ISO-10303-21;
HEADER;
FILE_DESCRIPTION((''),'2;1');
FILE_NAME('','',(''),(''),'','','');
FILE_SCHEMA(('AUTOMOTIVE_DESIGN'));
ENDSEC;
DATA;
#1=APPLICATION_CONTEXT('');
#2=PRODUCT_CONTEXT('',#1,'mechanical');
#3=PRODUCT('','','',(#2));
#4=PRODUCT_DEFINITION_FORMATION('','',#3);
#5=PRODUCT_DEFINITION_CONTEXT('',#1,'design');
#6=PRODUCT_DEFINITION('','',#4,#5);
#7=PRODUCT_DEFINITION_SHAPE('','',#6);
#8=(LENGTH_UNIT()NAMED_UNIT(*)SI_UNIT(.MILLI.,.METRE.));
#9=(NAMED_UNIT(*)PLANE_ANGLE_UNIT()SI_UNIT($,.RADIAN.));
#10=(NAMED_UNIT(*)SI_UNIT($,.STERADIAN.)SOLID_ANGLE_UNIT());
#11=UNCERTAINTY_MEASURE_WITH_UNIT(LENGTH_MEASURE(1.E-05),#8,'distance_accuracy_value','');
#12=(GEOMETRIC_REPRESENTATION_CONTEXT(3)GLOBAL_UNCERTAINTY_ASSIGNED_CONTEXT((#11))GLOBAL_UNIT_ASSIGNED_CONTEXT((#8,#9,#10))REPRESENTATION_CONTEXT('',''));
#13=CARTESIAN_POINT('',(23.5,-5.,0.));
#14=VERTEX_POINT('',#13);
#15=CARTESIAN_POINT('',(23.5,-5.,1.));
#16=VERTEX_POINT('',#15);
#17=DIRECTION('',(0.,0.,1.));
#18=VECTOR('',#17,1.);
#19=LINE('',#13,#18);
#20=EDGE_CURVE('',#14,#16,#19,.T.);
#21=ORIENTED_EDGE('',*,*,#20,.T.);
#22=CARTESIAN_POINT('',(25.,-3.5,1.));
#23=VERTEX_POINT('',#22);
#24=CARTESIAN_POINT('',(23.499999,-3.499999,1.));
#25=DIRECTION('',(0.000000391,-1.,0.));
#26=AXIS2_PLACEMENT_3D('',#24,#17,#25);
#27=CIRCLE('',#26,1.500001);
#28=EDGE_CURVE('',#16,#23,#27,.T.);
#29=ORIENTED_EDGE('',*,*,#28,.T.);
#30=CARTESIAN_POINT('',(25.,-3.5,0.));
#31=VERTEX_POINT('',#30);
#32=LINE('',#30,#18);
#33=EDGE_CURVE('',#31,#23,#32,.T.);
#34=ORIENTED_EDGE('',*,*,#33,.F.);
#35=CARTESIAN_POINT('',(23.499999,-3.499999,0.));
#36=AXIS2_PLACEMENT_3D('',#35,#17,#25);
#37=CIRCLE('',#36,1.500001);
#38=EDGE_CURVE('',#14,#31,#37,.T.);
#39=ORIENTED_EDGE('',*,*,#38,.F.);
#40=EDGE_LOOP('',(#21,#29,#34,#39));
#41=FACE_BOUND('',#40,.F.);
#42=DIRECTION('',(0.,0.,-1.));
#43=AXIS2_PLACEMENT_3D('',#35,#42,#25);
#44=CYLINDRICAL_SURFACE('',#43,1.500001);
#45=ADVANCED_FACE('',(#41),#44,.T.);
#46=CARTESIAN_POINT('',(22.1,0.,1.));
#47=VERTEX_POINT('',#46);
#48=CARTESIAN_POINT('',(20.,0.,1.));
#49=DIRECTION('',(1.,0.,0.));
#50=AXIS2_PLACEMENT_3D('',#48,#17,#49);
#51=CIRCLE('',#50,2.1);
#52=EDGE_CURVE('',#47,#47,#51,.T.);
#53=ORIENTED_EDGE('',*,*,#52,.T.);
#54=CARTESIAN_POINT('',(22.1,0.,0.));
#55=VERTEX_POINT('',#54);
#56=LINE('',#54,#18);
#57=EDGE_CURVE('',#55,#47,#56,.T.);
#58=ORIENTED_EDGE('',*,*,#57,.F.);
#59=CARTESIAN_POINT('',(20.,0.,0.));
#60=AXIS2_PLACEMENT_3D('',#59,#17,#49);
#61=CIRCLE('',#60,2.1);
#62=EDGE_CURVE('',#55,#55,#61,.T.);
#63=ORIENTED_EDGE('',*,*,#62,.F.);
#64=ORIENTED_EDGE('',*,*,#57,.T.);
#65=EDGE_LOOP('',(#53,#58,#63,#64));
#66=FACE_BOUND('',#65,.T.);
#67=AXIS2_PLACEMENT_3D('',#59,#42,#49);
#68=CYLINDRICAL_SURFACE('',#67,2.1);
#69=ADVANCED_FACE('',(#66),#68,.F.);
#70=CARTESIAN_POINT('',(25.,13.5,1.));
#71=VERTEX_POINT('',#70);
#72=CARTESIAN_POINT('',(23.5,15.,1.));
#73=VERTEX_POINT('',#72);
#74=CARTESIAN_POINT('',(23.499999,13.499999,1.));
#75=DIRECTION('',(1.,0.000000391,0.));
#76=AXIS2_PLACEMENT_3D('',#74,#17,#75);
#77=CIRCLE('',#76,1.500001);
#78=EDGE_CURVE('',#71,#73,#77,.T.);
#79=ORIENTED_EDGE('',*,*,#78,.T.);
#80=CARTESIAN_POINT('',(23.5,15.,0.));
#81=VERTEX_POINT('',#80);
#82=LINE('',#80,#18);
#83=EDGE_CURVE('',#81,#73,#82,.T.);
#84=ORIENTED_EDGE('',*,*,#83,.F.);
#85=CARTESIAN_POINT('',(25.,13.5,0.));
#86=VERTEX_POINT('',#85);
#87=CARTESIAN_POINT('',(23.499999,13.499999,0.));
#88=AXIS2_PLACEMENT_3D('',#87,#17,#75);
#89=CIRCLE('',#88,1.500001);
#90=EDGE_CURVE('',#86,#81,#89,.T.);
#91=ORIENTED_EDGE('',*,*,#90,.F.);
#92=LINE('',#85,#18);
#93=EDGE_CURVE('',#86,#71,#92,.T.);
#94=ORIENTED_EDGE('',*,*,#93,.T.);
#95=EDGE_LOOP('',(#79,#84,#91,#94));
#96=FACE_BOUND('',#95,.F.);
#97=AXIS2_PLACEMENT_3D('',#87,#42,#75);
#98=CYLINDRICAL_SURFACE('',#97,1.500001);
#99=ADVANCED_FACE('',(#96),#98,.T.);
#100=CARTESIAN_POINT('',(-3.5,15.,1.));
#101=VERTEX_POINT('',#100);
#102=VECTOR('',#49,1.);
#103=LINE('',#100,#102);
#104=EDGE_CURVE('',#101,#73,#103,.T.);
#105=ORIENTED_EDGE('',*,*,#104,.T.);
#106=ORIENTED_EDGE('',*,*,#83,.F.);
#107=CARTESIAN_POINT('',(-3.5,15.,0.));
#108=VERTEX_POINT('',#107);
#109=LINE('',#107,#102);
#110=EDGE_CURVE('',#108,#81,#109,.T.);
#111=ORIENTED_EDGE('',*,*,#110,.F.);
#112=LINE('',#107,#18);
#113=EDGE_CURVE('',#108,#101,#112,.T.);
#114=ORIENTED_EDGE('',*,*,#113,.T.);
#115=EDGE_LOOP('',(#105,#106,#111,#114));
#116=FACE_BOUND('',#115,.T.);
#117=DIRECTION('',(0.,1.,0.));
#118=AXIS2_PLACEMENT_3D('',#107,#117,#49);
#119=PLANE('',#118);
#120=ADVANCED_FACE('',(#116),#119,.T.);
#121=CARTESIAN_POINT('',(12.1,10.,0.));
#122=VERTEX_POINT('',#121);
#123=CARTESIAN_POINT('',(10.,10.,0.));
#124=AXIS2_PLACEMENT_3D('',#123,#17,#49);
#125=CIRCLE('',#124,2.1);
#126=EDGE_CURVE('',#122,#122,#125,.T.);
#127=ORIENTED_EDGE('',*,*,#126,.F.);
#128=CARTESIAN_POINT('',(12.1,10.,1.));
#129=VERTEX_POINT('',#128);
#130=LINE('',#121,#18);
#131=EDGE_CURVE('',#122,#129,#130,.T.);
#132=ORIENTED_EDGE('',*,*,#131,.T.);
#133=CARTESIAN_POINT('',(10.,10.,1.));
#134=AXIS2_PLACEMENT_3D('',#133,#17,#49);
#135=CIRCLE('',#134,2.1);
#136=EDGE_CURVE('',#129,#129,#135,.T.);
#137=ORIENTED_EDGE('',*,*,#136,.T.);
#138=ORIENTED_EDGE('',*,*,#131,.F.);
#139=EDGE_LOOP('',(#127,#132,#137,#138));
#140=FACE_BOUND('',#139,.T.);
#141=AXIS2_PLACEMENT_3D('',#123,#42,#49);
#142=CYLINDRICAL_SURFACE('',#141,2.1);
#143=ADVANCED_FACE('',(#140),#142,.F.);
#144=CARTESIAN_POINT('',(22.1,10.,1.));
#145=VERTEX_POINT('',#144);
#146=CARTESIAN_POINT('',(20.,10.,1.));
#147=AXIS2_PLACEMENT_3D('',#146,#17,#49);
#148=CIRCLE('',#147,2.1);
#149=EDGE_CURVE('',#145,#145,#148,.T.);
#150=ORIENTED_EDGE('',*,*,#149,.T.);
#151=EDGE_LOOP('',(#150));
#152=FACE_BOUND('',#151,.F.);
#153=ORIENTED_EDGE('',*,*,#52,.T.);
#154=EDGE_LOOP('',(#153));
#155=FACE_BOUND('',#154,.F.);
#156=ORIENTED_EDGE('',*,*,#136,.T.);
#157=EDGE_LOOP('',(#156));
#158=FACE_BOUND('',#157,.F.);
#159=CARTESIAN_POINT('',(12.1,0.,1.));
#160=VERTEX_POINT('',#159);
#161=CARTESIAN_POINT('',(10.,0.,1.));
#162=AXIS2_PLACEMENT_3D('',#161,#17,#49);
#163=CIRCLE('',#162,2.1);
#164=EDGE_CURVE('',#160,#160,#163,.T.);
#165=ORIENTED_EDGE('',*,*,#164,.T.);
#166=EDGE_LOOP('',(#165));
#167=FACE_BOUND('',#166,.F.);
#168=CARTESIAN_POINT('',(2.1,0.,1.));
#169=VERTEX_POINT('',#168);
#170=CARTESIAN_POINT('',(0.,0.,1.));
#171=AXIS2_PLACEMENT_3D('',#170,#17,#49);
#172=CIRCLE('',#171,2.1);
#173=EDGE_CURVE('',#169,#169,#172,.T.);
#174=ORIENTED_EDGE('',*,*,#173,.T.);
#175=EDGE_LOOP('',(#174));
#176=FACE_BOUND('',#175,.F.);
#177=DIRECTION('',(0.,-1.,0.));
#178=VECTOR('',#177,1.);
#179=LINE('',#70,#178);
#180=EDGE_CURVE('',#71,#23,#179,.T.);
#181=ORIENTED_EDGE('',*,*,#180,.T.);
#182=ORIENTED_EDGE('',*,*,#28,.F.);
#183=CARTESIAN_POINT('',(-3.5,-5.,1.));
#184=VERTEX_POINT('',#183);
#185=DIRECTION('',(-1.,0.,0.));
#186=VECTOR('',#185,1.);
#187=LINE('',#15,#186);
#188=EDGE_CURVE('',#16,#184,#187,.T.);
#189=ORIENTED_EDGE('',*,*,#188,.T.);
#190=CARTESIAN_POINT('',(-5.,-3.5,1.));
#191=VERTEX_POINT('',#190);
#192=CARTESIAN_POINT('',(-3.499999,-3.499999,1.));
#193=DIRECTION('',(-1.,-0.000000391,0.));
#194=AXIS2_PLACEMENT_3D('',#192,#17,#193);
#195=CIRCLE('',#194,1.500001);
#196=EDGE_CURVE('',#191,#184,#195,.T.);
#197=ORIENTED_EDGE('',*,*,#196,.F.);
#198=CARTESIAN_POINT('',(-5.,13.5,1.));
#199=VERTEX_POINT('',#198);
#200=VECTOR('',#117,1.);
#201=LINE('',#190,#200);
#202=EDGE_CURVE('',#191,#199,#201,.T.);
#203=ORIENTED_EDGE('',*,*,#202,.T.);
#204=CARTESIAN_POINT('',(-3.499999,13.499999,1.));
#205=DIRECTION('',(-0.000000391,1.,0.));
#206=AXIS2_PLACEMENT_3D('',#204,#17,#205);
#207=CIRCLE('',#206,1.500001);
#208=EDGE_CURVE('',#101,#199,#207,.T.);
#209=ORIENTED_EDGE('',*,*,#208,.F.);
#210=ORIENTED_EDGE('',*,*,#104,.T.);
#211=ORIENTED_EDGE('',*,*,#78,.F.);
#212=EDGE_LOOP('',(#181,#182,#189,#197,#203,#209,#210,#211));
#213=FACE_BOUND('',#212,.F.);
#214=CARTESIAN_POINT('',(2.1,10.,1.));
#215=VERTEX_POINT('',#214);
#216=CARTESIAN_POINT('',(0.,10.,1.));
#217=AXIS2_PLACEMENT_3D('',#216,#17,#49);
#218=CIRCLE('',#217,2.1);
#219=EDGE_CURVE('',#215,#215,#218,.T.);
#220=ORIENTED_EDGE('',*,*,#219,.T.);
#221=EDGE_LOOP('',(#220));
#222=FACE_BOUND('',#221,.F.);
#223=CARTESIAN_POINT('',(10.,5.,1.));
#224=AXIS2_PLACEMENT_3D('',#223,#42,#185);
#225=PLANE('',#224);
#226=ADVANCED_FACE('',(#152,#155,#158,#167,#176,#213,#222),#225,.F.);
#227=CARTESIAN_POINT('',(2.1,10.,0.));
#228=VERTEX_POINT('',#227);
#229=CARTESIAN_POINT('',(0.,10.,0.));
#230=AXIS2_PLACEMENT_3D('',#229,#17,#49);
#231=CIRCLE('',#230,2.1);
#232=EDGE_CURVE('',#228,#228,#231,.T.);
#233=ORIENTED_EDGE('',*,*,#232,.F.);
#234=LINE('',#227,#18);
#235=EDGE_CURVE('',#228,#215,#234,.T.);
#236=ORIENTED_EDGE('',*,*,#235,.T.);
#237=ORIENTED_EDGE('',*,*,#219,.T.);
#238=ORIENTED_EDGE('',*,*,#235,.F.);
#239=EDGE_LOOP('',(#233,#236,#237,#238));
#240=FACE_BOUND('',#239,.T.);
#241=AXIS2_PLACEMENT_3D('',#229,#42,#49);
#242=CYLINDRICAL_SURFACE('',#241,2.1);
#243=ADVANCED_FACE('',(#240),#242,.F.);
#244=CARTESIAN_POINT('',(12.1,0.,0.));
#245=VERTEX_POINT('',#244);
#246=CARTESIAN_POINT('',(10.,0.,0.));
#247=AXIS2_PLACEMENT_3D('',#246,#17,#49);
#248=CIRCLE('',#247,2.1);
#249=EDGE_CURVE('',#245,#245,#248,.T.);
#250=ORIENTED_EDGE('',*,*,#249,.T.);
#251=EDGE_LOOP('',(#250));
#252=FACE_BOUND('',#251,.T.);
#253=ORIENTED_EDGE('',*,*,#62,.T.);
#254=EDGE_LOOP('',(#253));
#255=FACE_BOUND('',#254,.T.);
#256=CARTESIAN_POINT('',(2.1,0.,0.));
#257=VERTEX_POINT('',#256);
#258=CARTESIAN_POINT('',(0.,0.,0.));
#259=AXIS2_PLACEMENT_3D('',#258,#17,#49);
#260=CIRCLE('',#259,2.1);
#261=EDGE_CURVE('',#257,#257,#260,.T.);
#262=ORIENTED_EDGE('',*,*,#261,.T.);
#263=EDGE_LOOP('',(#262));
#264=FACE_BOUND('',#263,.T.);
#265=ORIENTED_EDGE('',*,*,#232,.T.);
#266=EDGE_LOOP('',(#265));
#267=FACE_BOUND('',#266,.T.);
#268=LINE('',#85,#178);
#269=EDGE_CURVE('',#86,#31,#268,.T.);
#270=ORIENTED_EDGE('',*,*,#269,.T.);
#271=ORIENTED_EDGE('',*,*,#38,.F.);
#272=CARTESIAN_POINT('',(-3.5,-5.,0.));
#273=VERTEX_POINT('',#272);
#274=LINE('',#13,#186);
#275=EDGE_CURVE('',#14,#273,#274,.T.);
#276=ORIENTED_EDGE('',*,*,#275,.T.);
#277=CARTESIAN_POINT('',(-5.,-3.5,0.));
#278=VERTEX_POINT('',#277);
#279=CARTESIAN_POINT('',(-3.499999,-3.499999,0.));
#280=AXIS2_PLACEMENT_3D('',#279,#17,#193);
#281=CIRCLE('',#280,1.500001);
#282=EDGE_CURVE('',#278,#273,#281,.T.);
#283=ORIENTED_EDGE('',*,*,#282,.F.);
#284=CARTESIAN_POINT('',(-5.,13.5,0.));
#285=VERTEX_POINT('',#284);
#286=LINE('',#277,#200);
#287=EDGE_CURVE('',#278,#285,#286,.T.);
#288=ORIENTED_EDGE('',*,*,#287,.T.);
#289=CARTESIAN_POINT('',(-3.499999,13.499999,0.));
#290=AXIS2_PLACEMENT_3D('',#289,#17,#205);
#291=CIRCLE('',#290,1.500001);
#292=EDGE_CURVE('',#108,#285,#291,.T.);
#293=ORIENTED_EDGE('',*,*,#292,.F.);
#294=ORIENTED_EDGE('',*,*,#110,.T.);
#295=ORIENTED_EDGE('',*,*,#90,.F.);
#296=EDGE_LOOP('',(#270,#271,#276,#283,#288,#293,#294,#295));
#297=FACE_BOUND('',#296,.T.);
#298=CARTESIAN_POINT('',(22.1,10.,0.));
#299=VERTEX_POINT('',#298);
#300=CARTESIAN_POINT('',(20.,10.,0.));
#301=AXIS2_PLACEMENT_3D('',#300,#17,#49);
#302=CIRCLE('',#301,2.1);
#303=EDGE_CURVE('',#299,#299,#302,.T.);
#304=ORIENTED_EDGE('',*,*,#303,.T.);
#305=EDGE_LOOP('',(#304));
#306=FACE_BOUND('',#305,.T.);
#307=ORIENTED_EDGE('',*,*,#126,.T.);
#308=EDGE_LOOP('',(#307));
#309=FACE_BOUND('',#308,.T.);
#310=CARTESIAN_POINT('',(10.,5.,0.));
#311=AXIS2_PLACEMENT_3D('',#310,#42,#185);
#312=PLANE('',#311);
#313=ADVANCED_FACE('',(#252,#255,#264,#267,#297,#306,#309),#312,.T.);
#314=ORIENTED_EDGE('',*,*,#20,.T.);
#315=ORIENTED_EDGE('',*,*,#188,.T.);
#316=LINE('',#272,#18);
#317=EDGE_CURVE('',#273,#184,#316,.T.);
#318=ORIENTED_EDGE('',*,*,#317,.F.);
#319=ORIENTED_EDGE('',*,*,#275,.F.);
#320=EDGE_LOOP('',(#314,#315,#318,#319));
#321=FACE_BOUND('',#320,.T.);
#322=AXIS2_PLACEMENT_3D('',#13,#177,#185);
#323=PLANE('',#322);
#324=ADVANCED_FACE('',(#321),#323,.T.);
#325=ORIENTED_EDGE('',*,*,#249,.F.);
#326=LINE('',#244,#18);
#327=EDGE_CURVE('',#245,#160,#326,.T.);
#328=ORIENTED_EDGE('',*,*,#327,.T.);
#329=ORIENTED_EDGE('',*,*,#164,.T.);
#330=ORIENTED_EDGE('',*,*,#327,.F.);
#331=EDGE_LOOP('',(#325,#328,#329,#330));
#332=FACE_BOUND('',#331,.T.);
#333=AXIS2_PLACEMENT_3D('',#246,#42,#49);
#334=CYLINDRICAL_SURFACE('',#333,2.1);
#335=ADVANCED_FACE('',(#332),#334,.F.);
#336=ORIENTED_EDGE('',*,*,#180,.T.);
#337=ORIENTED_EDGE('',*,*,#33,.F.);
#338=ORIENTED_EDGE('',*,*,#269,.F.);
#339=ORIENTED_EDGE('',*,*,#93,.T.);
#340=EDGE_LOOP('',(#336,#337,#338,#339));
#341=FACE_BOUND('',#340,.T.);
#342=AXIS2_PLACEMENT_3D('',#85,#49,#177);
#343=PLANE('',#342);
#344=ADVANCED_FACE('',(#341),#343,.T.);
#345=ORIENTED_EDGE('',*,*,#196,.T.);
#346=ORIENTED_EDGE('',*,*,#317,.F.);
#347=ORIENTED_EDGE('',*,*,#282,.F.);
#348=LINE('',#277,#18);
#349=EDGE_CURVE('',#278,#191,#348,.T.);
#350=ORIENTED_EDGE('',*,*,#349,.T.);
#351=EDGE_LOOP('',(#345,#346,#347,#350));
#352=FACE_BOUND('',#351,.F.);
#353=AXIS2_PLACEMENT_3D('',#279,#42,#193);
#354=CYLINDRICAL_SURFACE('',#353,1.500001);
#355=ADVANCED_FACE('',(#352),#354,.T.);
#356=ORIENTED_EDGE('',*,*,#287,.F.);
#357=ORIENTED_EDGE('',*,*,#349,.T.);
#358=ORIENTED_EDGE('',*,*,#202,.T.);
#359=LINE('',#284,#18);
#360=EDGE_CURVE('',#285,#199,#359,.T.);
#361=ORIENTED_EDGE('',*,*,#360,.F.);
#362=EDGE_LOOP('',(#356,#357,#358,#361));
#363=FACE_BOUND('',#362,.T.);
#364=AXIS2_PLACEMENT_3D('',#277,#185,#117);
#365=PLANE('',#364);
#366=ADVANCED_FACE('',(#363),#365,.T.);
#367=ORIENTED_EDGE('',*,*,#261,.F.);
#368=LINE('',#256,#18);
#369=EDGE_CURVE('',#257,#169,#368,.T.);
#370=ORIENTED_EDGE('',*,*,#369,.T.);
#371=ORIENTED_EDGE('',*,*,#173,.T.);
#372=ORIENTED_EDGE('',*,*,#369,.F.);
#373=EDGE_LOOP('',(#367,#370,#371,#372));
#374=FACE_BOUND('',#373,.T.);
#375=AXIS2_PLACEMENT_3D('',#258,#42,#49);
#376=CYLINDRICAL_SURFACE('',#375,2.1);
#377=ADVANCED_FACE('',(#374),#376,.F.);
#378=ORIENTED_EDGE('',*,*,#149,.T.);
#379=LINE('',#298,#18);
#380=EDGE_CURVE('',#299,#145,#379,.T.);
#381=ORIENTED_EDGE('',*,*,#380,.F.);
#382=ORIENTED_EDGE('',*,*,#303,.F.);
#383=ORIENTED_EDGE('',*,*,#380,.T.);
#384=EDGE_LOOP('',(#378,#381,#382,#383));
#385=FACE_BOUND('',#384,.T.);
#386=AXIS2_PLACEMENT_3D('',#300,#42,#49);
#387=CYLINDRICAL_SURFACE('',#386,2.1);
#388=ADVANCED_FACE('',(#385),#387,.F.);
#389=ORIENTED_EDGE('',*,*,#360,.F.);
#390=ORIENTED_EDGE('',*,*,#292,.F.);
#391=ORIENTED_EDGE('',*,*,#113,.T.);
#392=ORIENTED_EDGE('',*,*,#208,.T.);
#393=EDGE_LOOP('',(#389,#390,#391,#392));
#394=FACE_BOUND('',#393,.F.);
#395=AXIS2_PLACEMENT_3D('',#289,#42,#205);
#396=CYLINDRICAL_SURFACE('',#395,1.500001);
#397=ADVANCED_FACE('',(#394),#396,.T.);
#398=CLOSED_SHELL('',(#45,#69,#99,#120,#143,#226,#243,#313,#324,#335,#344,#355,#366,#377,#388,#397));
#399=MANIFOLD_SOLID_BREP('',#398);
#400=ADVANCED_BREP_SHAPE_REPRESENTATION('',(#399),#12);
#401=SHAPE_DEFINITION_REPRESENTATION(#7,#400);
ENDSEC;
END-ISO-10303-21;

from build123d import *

# Parameters (mm, degrees)
SKETCH_R  = 2.1
PAD_DEPTH = 1


with BuildPart() as part:
    # Sketch → Pad (new body)
    with BuildSketch(Plane.XY):
        with BuildLine():
            Line((-3.5, 15), (23.5, 15))
            ThreePointArc((25, 13.5), (24.56066, 14.56066), (23.5, 15))
            Line((25, 13.5), (25, -3.5))
            ThreePointArc((23.5, -5), (24.56066, -4.56066), (25, -3.5))
            Line((23.5, -5), (-3.5, -5))
            ThreePointArc((-5, -3.5), (-4.56066, -4.56066), (-3.5, -5))
            Line((-5, -3.5), (-5, 13.5))
            ThreePointArc((-3.5, 15), (-4.56066, 14.56066), (-5, 13.5))
        make_face()
        Circle(SKETCH_R, mode=Mode.SUBTRACT)
        with Locations((0, 10)):
            Circle(SKETCH_R, mode=Mode.SUBTRACT)
        with Locations((10, 0)):
            Circle(SKETCH_R, mode=Mode.SUBTRACT)
        with Locations((20, 0)):
            Circle(SKETCH_R, mode=Mode.SUBTRACT)
        with Locations((10, 10)):
            Circle(SKETCH_R, mode=Mode.SUBTRACT)
        with Locations((20, 10)):
            Circle(SKETCH_R, mode=Mode.SUBTRACT)
    extrude(amount=PAD_DEPTH)


solid = part.part
